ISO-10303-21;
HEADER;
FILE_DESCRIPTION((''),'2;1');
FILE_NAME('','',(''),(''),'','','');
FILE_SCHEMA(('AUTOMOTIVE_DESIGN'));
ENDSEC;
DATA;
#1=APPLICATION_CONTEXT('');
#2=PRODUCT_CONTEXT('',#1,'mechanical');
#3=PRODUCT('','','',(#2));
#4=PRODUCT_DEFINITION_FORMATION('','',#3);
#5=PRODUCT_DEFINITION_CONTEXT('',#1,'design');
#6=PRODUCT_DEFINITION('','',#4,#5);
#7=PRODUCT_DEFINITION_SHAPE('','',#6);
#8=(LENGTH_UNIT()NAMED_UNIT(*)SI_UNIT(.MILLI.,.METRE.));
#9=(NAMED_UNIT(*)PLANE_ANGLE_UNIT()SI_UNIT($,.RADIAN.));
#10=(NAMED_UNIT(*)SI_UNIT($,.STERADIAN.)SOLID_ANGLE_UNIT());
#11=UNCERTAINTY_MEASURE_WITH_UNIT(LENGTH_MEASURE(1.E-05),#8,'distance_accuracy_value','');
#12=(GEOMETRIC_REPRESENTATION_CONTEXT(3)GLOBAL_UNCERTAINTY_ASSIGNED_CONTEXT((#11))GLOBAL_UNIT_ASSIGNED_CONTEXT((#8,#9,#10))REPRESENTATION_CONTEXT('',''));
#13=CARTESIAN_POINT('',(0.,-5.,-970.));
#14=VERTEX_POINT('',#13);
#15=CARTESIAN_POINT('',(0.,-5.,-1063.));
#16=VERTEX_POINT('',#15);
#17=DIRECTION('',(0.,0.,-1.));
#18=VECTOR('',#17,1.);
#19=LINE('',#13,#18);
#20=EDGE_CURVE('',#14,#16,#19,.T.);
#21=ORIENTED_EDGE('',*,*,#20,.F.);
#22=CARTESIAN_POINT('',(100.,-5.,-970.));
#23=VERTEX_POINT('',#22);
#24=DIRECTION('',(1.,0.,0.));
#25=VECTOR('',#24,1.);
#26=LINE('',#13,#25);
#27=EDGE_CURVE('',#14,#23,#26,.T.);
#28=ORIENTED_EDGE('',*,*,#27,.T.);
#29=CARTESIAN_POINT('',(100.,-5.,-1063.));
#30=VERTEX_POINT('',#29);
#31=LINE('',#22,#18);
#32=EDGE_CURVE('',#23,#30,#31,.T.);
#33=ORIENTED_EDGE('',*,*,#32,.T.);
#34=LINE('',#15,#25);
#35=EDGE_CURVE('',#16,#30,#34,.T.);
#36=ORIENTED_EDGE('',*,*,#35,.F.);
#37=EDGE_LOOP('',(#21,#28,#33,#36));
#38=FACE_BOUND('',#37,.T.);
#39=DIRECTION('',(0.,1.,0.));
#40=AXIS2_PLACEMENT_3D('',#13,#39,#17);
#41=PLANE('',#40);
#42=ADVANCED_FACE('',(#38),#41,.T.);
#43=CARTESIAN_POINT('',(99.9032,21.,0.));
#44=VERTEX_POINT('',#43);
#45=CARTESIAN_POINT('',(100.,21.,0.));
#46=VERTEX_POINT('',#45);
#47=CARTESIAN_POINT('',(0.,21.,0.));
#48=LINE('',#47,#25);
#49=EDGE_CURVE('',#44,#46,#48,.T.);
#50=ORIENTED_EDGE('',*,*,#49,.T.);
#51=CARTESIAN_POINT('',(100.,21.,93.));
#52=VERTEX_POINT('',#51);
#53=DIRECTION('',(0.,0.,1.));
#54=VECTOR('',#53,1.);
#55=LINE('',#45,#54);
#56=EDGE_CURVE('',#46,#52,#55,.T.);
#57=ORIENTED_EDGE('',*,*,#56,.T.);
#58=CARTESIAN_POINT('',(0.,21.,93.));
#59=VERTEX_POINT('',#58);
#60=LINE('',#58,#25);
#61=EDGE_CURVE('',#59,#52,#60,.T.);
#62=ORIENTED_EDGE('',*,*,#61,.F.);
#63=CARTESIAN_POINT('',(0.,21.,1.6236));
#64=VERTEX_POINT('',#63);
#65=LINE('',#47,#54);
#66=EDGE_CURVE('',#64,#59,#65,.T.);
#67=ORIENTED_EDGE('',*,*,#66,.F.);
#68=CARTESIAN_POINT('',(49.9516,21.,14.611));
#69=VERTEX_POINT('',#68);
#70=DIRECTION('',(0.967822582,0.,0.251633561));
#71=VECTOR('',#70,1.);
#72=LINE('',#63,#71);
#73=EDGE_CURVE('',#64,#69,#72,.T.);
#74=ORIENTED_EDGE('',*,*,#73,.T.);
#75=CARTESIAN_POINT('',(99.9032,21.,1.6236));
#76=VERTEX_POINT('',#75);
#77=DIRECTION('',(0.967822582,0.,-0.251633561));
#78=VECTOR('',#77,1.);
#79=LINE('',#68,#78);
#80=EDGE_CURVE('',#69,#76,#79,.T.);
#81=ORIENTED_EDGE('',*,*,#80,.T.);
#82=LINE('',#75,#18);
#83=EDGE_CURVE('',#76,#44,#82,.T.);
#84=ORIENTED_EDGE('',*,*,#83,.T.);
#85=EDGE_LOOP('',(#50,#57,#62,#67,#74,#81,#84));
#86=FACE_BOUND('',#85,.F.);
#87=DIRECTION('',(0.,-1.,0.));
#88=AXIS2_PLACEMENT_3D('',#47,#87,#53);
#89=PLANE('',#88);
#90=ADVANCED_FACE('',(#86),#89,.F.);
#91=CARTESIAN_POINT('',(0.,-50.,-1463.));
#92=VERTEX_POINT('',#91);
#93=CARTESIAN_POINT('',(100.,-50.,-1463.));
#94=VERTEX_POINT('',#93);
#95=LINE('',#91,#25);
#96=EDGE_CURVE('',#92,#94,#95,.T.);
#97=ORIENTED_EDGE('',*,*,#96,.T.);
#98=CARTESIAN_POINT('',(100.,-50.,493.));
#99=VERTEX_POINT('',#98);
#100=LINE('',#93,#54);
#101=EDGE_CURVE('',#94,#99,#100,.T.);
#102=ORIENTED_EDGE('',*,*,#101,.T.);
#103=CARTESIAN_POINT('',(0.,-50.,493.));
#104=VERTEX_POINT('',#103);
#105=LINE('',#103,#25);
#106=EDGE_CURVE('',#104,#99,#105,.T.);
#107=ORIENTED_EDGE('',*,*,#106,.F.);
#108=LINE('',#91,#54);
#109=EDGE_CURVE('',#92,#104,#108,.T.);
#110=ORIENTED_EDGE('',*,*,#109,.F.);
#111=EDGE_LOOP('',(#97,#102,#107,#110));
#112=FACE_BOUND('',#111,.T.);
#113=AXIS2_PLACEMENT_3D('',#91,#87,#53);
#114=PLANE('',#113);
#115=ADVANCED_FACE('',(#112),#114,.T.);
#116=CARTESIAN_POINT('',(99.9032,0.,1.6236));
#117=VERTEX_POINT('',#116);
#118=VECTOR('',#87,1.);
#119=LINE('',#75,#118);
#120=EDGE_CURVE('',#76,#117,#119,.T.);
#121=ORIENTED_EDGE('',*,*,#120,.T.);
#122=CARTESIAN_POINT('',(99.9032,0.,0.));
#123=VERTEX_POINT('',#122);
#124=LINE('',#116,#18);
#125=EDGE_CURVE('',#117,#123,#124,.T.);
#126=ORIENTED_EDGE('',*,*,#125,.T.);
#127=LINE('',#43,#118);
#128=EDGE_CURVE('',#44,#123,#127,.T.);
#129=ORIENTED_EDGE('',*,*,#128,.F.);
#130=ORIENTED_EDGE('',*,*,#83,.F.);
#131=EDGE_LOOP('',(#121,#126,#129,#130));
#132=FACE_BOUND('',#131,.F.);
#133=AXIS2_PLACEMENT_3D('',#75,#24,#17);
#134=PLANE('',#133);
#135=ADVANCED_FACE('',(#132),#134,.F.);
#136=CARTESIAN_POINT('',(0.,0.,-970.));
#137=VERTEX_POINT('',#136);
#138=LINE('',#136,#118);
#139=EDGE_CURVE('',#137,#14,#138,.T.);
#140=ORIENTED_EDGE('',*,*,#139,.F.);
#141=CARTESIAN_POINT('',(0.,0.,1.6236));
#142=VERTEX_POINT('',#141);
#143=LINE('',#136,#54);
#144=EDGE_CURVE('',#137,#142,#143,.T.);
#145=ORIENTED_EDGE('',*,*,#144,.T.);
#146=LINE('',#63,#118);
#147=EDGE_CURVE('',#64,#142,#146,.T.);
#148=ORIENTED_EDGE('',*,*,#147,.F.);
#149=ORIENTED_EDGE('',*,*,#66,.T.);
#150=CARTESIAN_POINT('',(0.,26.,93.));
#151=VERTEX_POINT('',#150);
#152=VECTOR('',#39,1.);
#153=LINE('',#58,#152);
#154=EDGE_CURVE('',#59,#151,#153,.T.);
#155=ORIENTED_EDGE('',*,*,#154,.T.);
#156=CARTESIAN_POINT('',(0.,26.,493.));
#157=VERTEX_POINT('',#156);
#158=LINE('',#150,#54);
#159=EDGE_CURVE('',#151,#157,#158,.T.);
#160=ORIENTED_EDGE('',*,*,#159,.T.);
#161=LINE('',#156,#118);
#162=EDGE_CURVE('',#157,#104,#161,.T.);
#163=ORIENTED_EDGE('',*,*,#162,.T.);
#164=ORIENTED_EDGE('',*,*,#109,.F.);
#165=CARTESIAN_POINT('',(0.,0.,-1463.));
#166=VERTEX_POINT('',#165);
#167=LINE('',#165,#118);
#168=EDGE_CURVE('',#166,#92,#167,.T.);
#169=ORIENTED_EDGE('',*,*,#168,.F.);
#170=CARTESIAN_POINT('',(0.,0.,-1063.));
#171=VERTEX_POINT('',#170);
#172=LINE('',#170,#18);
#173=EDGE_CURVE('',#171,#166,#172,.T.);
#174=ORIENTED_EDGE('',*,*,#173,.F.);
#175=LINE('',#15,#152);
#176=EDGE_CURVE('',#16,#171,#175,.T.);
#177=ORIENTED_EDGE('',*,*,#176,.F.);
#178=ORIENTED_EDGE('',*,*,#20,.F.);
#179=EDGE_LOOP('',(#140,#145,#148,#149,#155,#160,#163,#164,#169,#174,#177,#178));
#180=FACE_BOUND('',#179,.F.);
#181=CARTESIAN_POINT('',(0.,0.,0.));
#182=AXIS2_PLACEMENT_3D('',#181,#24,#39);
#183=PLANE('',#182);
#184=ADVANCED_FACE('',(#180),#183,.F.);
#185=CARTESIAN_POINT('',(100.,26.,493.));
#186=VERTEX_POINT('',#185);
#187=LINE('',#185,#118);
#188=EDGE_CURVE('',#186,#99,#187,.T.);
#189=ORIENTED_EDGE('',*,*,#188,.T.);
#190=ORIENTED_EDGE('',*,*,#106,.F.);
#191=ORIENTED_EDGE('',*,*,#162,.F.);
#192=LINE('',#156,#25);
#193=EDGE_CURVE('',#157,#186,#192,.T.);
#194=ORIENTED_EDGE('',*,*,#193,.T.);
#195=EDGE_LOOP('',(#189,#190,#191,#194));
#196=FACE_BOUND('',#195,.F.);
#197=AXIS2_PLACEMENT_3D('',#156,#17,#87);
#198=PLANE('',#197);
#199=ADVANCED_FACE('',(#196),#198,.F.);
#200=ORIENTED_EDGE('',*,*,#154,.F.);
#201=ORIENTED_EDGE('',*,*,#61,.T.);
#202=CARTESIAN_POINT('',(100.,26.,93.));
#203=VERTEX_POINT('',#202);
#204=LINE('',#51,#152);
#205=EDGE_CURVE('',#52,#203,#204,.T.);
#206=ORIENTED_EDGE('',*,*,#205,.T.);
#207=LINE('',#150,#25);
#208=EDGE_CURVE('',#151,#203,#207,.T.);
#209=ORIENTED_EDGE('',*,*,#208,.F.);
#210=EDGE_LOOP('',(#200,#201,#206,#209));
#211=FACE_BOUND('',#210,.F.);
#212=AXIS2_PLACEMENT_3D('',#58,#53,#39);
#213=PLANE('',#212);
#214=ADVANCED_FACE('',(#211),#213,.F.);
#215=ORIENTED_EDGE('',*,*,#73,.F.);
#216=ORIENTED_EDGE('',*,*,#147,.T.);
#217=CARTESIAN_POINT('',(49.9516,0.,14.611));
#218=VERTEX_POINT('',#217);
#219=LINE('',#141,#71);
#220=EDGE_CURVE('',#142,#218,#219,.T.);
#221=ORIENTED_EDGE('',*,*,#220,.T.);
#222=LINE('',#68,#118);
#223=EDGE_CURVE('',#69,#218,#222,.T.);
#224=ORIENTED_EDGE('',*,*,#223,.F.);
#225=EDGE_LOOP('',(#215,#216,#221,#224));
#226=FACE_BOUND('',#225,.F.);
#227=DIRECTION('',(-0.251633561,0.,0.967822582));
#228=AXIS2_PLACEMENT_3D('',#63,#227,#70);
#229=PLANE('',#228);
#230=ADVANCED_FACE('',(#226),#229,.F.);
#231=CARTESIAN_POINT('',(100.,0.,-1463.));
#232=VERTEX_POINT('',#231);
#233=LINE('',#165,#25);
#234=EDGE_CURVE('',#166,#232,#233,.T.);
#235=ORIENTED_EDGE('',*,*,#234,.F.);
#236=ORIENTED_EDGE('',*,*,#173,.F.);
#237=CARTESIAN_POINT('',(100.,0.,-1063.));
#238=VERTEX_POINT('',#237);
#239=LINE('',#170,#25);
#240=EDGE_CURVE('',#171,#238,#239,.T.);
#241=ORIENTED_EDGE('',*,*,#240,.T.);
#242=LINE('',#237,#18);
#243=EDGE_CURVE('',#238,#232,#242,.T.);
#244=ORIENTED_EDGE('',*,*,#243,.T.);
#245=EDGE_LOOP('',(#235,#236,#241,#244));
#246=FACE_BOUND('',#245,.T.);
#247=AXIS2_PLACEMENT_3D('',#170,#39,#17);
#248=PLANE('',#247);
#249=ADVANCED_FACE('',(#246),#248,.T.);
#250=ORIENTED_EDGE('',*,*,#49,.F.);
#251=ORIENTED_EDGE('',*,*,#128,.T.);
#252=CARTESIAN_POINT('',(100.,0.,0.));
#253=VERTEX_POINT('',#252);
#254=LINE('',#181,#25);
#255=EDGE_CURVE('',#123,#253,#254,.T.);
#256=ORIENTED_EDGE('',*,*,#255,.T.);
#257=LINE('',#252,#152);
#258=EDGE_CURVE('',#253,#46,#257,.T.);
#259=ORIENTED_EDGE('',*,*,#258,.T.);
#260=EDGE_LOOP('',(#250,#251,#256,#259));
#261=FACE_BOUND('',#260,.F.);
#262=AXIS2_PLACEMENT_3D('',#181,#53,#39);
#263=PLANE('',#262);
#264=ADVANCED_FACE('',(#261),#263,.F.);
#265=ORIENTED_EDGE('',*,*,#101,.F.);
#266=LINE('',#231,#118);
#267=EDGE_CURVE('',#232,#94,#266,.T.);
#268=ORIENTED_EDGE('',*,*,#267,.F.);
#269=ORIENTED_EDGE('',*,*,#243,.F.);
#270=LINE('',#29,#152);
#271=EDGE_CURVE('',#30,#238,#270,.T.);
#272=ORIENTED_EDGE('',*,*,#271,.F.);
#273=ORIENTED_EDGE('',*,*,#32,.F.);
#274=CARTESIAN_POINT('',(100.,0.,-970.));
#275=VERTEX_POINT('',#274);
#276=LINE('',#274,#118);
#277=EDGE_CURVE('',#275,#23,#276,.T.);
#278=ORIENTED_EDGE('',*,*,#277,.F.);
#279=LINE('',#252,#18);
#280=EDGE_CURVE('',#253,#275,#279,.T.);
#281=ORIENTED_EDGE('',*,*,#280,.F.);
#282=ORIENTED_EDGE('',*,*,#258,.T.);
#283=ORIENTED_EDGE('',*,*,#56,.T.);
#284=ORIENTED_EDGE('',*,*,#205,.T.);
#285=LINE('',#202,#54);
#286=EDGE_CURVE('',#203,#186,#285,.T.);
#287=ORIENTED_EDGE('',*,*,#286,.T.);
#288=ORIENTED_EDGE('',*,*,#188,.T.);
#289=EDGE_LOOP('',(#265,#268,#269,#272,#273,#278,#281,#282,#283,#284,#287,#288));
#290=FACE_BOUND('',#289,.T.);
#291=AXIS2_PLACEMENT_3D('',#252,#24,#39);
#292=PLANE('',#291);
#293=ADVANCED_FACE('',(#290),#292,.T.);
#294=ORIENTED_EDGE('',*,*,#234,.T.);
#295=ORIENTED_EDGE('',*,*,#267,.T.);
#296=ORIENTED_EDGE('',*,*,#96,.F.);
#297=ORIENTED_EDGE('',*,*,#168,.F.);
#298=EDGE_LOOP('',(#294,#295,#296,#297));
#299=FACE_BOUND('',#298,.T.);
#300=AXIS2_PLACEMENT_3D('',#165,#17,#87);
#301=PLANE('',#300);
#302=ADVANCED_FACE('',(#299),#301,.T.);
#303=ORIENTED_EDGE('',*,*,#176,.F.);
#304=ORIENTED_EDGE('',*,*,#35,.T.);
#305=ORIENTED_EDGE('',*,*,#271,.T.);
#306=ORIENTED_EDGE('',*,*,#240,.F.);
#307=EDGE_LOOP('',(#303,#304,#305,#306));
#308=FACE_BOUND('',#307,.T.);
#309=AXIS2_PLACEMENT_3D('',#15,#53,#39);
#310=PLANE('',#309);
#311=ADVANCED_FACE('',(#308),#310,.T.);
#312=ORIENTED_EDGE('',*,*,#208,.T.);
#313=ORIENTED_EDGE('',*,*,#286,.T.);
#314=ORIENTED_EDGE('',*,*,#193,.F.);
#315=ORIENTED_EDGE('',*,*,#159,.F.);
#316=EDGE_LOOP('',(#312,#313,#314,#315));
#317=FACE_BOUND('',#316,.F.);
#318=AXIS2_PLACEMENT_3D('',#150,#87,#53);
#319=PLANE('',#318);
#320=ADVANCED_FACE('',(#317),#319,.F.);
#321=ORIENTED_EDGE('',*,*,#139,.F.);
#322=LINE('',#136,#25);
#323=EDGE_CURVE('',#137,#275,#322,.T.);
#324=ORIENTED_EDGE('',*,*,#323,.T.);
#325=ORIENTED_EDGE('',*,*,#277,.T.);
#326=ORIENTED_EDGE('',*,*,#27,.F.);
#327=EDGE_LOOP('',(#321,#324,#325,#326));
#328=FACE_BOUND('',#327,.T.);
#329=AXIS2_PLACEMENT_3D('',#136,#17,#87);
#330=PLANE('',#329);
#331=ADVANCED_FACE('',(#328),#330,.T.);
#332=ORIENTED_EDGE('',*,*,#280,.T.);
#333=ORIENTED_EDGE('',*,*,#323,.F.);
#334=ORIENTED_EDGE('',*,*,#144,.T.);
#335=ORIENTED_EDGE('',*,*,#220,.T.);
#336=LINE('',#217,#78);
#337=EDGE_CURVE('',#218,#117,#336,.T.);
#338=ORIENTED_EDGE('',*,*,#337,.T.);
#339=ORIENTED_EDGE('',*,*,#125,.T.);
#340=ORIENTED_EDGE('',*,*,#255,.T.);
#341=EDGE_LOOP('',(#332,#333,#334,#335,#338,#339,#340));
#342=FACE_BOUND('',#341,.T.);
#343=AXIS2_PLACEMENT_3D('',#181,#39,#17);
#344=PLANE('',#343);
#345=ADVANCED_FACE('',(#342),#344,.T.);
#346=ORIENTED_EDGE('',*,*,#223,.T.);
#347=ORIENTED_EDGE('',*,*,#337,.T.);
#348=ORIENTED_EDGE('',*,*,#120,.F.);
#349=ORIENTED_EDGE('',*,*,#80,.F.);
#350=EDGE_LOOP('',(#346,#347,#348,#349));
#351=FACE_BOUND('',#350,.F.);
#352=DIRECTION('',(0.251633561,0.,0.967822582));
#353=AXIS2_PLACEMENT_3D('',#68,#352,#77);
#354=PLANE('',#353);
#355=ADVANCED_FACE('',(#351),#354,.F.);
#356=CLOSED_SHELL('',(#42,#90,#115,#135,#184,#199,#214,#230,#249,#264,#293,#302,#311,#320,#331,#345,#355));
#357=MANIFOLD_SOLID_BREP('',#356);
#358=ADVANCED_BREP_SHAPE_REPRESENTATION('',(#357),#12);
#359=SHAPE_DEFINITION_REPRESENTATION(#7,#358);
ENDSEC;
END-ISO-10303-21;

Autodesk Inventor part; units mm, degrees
ref_plane "YZ Plane" through (0, 0, 0) normal (1, 0, 0) x (0, 1, 0)
ref_plane "XZ Plane" through (0, 0, 0) normal (0, 1, 0) x (-1, 0, 0)
ref_plane "XY Plane" through (0, 0, 0) normal (0, 0, 1) x (1, 0, 0)
sketch "Эскиз1" plane through (0, 0, 0) normal (1, 0, 0) x (0, 1, 0)
  line L0 (0, 0) -> (0, -970)
  line L1 (0, -970) -> (-5, -970)
  line L2 (-5, -970) -> (-5, -1063)
  line L3 (-5, -1063) -> (0, -1063)
  line L4 (0, -1063) -> (0, -1463)
  line L5 (0, -1463) -> (-50, -1463)
  line L6 (-50, -1463) -> (-50, 493)
  line L7 (0, 0) -> (21, 0)
  line L8 (21, 0) -> (21, 93)
  line L9 (21, 93) -> (26, 93)
  line L10 (26, 93) -> (26, 493)
  line L11 (26, 493) -> (-50, 493)
  dimension "d0" = 970
  dimension "d1" = 5
  dimension "d2" = 93
  dimension "d3" = 400
  dimension "d4" = 50
  dimension "d5" = 21
  dimension "d6" = 93
  dimension "d7" = 5
  dimension "d8" = 400
  dimension "d9" = 1956
extrude "Выдавливание1" add sketch "Эскиз1" along normal blind 100
sketch "Эскиз2" plane through (0, 21, 93) normal (0, 1, 0) x (1, 0, 0)
  line L0 (0, 91.3764) -> (49.9516, 78.389)
  line L1 (0, 93) -> (0, 91.3764)
  line L2 (0, 93) -> (99.9032, 93)
  line L3 (99.9032, 91.3764) -> (99.9032, 93)
  line L4 (49.9516, 78.389) -> (99.9032, 91.3764)
extrude "Выдавливание2" cut sketch "Эскиз2" against normal up to surface (21 mm away)
properties part number "ground_all"
